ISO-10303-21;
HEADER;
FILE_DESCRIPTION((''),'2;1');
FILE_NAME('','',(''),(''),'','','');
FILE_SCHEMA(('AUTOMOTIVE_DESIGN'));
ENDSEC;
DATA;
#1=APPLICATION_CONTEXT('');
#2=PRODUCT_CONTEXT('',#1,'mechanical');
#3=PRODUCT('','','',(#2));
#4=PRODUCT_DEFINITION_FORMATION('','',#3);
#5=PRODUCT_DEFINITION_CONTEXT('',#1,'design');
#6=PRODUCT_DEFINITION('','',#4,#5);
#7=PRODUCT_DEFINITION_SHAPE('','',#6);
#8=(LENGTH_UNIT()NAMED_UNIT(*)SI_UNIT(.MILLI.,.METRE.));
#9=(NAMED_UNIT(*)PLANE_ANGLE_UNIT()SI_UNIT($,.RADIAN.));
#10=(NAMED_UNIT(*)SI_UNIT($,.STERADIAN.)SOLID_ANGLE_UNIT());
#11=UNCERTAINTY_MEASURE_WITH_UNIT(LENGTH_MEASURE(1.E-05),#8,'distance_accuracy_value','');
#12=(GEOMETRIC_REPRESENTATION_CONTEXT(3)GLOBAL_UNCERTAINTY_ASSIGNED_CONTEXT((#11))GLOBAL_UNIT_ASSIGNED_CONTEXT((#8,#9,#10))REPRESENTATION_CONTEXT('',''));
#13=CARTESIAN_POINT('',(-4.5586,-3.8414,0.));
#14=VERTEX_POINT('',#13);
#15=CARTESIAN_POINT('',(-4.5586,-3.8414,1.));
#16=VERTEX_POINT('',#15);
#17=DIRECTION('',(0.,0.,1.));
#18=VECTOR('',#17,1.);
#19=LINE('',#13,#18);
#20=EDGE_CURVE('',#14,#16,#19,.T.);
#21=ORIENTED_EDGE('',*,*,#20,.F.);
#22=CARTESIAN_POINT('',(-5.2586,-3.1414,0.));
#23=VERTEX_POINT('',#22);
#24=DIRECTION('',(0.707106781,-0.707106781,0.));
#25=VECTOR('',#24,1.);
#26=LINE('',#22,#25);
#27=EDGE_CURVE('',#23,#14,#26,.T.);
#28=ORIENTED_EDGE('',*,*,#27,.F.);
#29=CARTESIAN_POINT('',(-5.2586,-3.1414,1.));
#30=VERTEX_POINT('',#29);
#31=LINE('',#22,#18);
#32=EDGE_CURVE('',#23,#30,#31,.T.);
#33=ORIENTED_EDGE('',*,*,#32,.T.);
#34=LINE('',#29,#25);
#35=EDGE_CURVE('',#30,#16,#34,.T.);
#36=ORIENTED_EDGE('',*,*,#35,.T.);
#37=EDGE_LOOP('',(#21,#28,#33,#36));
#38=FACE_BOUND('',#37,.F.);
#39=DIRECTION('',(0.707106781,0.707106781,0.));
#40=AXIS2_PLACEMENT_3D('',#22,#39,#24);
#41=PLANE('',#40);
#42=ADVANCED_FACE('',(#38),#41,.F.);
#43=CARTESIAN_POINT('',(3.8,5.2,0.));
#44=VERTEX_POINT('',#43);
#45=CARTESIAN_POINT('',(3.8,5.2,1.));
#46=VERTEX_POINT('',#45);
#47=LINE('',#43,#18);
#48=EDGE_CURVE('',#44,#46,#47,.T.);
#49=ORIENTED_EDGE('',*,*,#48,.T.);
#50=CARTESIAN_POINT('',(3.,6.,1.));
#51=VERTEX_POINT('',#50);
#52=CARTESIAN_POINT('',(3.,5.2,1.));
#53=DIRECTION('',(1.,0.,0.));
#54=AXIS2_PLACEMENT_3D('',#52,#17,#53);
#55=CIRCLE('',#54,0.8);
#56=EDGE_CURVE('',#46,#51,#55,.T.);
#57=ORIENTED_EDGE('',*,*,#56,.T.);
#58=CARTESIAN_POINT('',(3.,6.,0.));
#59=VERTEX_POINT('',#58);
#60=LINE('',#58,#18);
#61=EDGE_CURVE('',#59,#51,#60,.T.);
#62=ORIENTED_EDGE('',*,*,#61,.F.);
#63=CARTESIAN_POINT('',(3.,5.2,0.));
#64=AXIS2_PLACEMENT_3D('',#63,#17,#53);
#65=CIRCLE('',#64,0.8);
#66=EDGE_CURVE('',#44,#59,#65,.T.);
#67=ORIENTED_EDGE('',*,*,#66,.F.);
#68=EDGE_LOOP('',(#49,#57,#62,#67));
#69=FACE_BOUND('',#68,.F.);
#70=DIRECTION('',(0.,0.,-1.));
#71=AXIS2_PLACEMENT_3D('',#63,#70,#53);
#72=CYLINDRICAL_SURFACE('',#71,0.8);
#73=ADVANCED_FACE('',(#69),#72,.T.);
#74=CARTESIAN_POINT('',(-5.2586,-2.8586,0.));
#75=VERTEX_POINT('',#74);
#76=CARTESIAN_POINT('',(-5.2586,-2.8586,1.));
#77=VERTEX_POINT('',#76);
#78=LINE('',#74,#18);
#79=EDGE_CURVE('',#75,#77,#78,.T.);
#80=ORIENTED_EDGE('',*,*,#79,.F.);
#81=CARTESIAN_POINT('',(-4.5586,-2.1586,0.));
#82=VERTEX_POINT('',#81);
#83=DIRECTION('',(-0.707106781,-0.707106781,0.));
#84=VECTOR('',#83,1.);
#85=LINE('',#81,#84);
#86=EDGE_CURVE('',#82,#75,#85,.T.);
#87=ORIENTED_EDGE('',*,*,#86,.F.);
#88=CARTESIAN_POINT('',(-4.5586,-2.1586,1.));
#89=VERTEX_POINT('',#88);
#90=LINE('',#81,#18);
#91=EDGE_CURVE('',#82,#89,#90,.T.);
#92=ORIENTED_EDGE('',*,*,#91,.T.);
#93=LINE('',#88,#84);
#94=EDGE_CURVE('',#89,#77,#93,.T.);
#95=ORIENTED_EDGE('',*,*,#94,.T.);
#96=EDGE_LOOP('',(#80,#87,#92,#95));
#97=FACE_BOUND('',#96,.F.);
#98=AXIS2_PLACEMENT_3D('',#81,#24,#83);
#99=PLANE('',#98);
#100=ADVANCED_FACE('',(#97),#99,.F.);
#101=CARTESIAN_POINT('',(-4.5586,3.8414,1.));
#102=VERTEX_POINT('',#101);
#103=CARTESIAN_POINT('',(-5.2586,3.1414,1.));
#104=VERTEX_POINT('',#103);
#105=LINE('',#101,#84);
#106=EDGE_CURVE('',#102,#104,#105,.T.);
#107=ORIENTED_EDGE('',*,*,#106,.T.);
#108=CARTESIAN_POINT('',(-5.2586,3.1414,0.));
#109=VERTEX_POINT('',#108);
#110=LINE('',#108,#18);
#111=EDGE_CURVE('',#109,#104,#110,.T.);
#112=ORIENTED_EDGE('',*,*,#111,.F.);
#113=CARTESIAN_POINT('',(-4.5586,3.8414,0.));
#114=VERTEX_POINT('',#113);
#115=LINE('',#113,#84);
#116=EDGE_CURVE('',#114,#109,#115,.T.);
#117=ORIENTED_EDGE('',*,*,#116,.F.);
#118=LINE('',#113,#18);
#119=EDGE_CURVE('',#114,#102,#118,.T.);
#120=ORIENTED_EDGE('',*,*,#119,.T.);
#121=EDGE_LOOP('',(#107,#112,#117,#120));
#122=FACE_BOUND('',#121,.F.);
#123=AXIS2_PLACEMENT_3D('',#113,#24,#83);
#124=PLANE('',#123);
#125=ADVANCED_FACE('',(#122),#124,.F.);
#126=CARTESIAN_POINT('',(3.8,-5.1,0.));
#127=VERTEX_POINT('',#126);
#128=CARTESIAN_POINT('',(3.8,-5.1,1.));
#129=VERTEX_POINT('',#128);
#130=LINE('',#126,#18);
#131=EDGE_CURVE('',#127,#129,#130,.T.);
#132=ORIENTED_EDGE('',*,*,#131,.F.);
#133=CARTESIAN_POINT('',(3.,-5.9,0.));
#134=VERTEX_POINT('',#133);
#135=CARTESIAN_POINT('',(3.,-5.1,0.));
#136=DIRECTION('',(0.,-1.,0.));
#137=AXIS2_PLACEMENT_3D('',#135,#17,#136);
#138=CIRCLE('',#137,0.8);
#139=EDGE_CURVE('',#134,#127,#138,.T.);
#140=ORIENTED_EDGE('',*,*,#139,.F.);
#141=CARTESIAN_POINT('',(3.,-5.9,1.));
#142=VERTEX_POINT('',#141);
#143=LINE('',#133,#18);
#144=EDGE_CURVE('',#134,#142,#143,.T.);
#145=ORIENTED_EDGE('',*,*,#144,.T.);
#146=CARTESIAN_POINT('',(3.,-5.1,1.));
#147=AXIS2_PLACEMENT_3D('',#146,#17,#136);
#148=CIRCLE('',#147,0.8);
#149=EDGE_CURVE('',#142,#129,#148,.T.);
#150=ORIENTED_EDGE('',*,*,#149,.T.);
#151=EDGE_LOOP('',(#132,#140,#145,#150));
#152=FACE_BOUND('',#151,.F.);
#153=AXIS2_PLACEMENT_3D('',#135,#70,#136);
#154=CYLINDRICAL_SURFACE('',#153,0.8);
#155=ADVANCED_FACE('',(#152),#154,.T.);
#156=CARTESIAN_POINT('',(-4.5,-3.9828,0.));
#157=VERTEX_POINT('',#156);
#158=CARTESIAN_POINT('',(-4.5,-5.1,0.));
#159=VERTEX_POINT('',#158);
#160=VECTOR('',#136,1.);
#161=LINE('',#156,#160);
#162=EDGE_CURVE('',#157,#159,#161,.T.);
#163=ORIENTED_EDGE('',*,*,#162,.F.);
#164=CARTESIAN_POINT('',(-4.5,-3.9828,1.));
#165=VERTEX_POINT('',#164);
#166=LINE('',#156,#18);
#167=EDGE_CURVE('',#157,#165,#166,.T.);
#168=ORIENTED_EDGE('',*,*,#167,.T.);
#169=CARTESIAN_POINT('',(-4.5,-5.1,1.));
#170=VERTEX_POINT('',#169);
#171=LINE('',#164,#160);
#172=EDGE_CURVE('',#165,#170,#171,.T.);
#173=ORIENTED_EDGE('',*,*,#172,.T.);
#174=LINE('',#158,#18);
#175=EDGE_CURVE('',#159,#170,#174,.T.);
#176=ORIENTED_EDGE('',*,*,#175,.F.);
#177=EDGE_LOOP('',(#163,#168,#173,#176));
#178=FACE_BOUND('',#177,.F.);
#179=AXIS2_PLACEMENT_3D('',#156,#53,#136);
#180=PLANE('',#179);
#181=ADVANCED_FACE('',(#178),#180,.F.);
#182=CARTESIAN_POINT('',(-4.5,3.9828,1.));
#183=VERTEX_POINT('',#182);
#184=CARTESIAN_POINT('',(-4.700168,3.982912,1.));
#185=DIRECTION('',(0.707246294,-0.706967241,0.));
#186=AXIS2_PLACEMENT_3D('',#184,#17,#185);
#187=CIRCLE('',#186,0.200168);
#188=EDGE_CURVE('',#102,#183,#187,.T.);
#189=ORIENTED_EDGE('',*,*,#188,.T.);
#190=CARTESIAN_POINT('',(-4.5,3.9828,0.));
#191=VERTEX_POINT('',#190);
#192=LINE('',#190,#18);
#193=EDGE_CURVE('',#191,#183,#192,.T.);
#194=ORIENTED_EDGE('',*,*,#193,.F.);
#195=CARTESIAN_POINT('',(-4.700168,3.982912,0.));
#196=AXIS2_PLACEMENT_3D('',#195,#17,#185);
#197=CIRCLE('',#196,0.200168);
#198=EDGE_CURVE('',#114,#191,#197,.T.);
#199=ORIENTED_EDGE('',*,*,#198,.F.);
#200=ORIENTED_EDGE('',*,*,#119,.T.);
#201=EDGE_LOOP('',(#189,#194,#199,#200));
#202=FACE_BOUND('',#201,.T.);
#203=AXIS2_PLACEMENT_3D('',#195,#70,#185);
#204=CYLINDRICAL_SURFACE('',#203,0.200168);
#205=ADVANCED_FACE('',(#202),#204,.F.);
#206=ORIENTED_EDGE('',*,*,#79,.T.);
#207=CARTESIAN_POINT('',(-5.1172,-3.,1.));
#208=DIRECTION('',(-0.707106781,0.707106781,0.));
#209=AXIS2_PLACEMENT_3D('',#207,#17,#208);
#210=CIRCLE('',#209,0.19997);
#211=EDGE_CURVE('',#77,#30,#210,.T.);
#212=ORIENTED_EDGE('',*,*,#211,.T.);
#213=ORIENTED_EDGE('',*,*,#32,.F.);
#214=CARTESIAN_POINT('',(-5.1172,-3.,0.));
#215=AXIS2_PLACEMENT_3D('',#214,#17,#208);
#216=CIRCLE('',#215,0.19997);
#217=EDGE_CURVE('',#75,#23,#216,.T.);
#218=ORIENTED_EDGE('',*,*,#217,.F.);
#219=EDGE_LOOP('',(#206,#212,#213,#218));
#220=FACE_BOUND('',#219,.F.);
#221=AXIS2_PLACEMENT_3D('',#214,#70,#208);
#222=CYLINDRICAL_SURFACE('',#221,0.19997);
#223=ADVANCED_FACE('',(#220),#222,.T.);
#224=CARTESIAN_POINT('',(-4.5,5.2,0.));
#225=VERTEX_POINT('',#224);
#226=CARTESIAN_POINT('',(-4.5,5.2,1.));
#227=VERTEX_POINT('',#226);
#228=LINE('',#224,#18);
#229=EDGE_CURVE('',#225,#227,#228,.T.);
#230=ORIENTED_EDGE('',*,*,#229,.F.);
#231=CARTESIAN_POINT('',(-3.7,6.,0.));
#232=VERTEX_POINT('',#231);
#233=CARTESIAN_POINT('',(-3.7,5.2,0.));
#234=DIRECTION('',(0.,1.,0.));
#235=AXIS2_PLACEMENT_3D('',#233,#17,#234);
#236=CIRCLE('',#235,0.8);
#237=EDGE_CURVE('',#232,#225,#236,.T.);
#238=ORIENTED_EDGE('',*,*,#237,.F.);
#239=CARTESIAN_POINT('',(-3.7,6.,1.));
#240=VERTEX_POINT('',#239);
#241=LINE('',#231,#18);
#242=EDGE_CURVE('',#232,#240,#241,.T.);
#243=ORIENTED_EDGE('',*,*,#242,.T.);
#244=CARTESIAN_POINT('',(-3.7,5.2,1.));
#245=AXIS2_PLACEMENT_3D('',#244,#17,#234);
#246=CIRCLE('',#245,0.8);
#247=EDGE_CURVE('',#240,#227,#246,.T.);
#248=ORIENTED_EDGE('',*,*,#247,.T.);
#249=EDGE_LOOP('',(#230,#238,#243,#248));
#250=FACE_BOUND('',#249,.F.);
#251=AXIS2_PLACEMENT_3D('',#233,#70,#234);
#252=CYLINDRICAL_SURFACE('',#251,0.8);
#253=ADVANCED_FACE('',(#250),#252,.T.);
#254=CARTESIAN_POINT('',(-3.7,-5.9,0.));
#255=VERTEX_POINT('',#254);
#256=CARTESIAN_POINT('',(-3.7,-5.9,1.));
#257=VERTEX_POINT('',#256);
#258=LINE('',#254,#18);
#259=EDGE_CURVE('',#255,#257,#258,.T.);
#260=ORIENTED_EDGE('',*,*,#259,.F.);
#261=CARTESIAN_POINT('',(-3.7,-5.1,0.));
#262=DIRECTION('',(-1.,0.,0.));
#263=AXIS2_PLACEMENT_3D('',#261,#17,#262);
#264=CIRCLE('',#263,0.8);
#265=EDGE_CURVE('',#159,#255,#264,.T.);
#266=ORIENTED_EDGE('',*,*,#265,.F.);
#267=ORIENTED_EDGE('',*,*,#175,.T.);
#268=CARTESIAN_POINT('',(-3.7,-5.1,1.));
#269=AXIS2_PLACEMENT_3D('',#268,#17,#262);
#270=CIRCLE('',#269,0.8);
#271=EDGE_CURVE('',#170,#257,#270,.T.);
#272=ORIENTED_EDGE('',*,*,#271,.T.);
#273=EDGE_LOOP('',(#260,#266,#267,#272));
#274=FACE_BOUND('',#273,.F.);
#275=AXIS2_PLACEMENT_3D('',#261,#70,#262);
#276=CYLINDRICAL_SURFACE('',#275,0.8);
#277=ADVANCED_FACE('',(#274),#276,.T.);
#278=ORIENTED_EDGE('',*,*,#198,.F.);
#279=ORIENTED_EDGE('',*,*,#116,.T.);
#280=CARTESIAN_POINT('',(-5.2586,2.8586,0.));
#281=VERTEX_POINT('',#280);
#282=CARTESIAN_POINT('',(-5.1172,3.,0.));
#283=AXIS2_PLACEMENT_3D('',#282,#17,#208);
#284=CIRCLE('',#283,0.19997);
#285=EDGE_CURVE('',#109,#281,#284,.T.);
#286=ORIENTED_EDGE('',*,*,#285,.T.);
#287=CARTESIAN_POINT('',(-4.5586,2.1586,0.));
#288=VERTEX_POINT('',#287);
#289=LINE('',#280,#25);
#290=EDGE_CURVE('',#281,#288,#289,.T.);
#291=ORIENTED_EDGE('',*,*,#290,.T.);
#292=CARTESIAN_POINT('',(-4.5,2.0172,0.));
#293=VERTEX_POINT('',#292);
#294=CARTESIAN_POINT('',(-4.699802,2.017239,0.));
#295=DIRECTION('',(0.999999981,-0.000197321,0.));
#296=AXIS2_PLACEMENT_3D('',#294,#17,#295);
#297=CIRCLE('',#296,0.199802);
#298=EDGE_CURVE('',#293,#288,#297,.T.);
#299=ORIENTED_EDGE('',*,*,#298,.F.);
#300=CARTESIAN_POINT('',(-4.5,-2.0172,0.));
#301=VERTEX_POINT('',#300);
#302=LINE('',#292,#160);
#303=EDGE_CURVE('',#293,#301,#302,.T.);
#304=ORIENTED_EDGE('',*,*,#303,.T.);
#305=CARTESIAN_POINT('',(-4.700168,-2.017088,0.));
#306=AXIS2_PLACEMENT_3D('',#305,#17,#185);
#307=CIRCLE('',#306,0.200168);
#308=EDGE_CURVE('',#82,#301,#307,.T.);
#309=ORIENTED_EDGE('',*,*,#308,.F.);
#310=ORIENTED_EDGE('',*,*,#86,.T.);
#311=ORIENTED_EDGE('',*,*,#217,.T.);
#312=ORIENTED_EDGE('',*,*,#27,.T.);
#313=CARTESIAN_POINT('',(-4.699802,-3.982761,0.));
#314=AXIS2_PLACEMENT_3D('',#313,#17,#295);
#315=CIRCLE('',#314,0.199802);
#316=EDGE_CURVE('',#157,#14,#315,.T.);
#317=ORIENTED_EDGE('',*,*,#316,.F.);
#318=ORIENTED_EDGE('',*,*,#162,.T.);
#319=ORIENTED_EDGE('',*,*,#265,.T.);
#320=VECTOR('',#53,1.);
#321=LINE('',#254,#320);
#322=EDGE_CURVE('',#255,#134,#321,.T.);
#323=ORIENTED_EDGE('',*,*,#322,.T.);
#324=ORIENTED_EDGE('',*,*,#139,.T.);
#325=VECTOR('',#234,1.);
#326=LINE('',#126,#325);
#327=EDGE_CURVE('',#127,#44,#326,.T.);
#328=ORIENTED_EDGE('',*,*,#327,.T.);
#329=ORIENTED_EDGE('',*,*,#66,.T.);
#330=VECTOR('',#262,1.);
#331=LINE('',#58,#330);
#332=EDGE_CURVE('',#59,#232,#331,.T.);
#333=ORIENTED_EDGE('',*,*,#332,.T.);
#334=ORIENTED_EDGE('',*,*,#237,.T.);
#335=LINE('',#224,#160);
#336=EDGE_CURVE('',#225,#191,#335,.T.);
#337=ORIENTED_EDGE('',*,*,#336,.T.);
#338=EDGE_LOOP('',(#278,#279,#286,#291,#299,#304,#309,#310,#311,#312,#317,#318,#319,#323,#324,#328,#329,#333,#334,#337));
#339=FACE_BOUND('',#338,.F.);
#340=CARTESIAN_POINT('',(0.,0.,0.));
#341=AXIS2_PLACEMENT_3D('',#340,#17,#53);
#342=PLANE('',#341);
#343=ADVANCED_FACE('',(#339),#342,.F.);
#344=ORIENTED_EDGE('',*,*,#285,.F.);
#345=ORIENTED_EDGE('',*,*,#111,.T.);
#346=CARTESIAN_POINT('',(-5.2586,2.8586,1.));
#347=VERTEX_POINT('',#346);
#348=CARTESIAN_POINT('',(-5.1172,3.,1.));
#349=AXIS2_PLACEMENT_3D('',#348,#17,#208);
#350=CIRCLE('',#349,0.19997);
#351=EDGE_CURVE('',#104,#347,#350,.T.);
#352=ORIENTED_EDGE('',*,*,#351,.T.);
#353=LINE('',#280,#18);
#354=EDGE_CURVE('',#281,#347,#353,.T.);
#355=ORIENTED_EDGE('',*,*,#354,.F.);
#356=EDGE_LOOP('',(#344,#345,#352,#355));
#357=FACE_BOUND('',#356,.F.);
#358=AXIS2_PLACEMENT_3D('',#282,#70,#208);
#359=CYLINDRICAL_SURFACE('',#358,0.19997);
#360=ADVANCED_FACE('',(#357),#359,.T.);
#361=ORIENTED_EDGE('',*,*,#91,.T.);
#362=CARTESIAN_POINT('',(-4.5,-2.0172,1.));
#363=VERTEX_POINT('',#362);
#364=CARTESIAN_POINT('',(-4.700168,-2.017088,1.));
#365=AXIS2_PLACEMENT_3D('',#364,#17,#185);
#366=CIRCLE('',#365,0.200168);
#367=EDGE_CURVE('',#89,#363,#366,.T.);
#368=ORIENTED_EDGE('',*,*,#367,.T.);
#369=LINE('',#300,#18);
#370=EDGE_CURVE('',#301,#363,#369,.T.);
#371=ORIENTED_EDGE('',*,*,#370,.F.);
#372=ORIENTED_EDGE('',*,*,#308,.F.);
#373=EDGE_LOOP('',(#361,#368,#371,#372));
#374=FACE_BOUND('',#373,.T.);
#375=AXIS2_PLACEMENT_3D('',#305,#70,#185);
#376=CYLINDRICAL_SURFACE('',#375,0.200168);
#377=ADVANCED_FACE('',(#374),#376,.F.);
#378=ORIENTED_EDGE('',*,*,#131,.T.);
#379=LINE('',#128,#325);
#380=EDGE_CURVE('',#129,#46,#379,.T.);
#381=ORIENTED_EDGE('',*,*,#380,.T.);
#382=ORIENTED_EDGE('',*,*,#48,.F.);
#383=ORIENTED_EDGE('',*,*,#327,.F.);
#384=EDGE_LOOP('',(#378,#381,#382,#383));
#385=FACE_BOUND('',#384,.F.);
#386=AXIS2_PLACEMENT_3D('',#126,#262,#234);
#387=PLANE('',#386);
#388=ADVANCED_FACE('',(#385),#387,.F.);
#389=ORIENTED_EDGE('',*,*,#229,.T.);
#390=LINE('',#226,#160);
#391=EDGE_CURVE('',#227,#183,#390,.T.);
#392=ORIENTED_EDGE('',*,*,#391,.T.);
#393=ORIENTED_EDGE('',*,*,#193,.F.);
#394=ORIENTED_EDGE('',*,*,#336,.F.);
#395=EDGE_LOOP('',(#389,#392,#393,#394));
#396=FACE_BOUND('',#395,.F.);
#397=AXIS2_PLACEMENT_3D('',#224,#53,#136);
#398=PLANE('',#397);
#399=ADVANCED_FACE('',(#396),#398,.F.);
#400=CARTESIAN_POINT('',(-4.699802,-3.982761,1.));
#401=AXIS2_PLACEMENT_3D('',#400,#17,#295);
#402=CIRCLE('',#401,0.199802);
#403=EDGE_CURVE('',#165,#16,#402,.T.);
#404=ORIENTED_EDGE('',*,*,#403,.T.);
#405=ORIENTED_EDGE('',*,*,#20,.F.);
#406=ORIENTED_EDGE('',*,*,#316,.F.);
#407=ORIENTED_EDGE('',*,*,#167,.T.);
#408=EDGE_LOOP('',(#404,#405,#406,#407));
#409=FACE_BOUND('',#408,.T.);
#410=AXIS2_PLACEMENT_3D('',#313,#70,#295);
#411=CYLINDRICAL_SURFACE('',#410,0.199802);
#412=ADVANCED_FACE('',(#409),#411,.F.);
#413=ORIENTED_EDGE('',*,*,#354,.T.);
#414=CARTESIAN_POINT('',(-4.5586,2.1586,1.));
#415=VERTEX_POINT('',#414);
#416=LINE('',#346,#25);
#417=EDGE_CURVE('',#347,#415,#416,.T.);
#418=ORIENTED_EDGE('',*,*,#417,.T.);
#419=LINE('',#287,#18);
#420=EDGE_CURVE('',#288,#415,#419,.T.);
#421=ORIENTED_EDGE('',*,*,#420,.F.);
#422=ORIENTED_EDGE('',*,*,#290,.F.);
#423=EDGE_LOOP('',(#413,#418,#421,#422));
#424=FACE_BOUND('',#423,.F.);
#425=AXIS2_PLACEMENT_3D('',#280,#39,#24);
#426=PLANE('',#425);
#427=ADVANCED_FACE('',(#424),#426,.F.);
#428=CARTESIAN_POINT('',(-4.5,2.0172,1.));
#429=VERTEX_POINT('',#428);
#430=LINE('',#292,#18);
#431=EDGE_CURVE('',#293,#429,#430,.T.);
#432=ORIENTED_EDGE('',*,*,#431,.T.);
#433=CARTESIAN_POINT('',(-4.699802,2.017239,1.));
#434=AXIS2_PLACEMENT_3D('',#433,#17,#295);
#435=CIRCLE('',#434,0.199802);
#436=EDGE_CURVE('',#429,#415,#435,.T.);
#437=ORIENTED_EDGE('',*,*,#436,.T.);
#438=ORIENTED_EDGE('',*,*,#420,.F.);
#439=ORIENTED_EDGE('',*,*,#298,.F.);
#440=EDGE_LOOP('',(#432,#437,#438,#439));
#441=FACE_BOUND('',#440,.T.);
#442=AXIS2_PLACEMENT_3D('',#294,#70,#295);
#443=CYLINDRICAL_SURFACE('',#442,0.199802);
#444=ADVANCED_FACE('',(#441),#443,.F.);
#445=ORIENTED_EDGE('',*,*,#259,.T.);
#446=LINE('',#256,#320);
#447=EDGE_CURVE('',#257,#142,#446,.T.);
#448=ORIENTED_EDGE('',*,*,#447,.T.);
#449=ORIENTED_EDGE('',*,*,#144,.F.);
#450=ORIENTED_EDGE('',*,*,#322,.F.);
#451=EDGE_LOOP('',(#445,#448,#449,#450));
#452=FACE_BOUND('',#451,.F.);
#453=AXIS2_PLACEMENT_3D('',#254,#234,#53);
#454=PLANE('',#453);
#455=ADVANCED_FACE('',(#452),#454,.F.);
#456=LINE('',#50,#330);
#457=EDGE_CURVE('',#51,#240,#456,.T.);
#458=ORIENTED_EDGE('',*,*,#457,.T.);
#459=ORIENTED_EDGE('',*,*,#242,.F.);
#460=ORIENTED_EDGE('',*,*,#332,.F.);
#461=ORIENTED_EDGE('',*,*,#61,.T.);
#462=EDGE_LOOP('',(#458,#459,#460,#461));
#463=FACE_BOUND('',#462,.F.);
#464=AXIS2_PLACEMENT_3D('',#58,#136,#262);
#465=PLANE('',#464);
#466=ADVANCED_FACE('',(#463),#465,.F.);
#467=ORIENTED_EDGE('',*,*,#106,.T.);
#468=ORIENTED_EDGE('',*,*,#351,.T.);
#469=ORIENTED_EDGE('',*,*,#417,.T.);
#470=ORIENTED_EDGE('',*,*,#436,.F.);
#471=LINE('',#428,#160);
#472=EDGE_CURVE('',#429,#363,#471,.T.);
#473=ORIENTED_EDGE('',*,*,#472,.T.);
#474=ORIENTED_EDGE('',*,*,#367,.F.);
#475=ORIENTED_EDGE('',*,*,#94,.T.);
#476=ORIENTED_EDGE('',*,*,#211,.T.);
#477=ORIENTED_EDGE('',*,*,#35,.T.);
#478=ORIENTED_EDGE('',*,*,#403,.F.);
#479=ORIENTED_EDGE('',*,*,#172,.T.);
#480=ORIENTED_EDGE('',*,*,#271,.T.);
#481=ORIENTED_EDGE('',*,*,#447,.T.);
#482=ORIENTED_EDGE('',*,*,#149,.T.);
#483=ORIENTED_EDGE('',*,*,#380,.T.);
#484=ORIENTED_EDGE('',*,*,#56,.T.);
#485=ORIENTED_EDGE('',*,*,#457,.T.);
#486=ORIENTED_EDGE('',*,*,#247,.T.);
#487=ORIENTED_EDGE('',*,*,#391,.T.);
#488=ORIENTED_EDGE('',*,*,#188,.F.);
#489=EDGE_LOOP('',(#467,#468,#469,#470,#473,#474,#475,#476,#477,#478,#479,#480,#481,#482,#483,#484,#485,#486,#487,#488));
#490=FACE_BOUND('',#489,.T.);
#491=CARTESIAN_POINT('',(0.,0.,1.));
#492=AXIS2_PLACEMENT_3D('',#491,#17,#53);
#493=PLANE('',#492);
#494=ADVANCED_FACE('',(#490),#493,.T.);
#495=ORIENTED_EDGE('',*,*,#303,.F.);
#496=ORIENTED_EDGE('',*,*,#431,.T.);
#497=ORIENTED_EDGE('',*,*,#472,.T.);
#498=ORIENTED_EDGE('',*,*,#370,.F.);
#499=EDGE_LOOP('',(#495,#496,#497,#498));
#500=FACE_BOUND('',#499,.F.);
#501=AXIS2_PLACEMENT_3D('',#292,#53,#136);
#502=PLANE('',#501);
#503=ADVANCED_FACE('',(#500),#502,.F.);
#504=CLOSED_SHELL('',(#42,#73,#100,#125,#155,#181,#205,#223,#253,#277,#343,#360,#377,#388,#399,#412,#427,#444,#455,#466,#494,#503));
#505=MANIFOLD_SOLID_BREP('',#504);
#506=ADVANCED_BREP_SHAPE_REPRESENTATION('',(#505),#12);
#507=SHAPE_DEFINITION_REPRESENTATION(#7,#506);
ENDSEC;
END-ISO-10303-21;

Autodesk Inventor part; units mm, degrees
sketch "Sketch_1" plane through (0, 0, 0) normal (0, 0, 1) x (1, 0, 0)
  arc A0 (-5.2586, 3.1414) -> (-5.2586, 2.8586) centre (-5.1172, 3) ccw
  line L0 (-5.2586, 2.8586) -> (-4.5586, 2.1586)
  arc A1 (-4.5, 2.0172) -> (-4.5586, 2.1586) centre (-4.7, 2.0172) ccw
  line L1 (-4.5, 2.0172) -> (-4.5, -2.0172)
  arc A2 (-4.5586, -2.1586) -> (-4.5, -2.0172) centre (-4.7, -2.0172) ccw
  line L2 (-4.5586, -2.1586) -> (-5.2586, -2.8586)
  arc A3 (-5.2586, -2.8586) -> (-5.2586, -3.1414) centre (-5.1172, -3) ccw
  line L3 (-5.2586, -3.1414) -> (-4.5586, -3.8414)
  arc A4 (-4.5, -3.9828) -> (-4.5586, -3.8414) centre (-4.7, -3.9828) ccw
  line L4 (-4.5, -3.9828) -> (-4.5, -5.1)
  arc A5 (-4.5, -5.1) -> (-3.7, -5.9) centre (-3.7, -5.1) ccw
  line L5 (-3.7, -5.9) -> (3, -5.9)
  arc A6 (3, -5.9) -> (3.8, -5.1) centre (3, -5.1) ccw
  line L6 (3.8, -5.1) -> (3.8, 5.2)
  arc A7 (3.8, 5.2) -> (3, 6) centre (3, 5.2) ccw
  line L7 (3, 6) -> (-3.7, 6)
  arc A8 (-3.7, 6) -> (-4.5, 5.2) centre (-3.7, 5.2) ccw
  line L8 (-4.5, 5.2) -> (-4.5, 3.9828)
  arc A9 (-4.5586, 3.8414) -> (-4.5, 3.9828) centre (-4.7, 3.9828) ccw
  line L9 (-4.5586, 3.8414) -> (-5.2586, 3.1414)
extrude "Extrusion1" add sketch "Sketch_1" along normal blind 1
ref_plane "hal_XY" through (0, 0, 0) normal (0, 0, 1) x (1, 0, 0)
ref_plane "hal_YZ" through (0, 0, 0) normal (1, 0, 0) x (0, 1, 0)
ref_plane "hal_ZX" through (0, 0, 0) normal (0, 1, 0) x (0, 0, 1)
ref_plane "s01_XY" through (0, 0, 1) normal (0, 0, 1) x (1, 0, 0)
ref_plane "s01_YZ" through (0, 0, 1) normal (1, 0, 0) x (0, 1, 0)
ref_plane "s01_ZX" through (0, 0, 1) normal (0, 1, 0) x (0, 0, 1)
properties part number "SCHUNK-9962713 Bracket MPG 40"
